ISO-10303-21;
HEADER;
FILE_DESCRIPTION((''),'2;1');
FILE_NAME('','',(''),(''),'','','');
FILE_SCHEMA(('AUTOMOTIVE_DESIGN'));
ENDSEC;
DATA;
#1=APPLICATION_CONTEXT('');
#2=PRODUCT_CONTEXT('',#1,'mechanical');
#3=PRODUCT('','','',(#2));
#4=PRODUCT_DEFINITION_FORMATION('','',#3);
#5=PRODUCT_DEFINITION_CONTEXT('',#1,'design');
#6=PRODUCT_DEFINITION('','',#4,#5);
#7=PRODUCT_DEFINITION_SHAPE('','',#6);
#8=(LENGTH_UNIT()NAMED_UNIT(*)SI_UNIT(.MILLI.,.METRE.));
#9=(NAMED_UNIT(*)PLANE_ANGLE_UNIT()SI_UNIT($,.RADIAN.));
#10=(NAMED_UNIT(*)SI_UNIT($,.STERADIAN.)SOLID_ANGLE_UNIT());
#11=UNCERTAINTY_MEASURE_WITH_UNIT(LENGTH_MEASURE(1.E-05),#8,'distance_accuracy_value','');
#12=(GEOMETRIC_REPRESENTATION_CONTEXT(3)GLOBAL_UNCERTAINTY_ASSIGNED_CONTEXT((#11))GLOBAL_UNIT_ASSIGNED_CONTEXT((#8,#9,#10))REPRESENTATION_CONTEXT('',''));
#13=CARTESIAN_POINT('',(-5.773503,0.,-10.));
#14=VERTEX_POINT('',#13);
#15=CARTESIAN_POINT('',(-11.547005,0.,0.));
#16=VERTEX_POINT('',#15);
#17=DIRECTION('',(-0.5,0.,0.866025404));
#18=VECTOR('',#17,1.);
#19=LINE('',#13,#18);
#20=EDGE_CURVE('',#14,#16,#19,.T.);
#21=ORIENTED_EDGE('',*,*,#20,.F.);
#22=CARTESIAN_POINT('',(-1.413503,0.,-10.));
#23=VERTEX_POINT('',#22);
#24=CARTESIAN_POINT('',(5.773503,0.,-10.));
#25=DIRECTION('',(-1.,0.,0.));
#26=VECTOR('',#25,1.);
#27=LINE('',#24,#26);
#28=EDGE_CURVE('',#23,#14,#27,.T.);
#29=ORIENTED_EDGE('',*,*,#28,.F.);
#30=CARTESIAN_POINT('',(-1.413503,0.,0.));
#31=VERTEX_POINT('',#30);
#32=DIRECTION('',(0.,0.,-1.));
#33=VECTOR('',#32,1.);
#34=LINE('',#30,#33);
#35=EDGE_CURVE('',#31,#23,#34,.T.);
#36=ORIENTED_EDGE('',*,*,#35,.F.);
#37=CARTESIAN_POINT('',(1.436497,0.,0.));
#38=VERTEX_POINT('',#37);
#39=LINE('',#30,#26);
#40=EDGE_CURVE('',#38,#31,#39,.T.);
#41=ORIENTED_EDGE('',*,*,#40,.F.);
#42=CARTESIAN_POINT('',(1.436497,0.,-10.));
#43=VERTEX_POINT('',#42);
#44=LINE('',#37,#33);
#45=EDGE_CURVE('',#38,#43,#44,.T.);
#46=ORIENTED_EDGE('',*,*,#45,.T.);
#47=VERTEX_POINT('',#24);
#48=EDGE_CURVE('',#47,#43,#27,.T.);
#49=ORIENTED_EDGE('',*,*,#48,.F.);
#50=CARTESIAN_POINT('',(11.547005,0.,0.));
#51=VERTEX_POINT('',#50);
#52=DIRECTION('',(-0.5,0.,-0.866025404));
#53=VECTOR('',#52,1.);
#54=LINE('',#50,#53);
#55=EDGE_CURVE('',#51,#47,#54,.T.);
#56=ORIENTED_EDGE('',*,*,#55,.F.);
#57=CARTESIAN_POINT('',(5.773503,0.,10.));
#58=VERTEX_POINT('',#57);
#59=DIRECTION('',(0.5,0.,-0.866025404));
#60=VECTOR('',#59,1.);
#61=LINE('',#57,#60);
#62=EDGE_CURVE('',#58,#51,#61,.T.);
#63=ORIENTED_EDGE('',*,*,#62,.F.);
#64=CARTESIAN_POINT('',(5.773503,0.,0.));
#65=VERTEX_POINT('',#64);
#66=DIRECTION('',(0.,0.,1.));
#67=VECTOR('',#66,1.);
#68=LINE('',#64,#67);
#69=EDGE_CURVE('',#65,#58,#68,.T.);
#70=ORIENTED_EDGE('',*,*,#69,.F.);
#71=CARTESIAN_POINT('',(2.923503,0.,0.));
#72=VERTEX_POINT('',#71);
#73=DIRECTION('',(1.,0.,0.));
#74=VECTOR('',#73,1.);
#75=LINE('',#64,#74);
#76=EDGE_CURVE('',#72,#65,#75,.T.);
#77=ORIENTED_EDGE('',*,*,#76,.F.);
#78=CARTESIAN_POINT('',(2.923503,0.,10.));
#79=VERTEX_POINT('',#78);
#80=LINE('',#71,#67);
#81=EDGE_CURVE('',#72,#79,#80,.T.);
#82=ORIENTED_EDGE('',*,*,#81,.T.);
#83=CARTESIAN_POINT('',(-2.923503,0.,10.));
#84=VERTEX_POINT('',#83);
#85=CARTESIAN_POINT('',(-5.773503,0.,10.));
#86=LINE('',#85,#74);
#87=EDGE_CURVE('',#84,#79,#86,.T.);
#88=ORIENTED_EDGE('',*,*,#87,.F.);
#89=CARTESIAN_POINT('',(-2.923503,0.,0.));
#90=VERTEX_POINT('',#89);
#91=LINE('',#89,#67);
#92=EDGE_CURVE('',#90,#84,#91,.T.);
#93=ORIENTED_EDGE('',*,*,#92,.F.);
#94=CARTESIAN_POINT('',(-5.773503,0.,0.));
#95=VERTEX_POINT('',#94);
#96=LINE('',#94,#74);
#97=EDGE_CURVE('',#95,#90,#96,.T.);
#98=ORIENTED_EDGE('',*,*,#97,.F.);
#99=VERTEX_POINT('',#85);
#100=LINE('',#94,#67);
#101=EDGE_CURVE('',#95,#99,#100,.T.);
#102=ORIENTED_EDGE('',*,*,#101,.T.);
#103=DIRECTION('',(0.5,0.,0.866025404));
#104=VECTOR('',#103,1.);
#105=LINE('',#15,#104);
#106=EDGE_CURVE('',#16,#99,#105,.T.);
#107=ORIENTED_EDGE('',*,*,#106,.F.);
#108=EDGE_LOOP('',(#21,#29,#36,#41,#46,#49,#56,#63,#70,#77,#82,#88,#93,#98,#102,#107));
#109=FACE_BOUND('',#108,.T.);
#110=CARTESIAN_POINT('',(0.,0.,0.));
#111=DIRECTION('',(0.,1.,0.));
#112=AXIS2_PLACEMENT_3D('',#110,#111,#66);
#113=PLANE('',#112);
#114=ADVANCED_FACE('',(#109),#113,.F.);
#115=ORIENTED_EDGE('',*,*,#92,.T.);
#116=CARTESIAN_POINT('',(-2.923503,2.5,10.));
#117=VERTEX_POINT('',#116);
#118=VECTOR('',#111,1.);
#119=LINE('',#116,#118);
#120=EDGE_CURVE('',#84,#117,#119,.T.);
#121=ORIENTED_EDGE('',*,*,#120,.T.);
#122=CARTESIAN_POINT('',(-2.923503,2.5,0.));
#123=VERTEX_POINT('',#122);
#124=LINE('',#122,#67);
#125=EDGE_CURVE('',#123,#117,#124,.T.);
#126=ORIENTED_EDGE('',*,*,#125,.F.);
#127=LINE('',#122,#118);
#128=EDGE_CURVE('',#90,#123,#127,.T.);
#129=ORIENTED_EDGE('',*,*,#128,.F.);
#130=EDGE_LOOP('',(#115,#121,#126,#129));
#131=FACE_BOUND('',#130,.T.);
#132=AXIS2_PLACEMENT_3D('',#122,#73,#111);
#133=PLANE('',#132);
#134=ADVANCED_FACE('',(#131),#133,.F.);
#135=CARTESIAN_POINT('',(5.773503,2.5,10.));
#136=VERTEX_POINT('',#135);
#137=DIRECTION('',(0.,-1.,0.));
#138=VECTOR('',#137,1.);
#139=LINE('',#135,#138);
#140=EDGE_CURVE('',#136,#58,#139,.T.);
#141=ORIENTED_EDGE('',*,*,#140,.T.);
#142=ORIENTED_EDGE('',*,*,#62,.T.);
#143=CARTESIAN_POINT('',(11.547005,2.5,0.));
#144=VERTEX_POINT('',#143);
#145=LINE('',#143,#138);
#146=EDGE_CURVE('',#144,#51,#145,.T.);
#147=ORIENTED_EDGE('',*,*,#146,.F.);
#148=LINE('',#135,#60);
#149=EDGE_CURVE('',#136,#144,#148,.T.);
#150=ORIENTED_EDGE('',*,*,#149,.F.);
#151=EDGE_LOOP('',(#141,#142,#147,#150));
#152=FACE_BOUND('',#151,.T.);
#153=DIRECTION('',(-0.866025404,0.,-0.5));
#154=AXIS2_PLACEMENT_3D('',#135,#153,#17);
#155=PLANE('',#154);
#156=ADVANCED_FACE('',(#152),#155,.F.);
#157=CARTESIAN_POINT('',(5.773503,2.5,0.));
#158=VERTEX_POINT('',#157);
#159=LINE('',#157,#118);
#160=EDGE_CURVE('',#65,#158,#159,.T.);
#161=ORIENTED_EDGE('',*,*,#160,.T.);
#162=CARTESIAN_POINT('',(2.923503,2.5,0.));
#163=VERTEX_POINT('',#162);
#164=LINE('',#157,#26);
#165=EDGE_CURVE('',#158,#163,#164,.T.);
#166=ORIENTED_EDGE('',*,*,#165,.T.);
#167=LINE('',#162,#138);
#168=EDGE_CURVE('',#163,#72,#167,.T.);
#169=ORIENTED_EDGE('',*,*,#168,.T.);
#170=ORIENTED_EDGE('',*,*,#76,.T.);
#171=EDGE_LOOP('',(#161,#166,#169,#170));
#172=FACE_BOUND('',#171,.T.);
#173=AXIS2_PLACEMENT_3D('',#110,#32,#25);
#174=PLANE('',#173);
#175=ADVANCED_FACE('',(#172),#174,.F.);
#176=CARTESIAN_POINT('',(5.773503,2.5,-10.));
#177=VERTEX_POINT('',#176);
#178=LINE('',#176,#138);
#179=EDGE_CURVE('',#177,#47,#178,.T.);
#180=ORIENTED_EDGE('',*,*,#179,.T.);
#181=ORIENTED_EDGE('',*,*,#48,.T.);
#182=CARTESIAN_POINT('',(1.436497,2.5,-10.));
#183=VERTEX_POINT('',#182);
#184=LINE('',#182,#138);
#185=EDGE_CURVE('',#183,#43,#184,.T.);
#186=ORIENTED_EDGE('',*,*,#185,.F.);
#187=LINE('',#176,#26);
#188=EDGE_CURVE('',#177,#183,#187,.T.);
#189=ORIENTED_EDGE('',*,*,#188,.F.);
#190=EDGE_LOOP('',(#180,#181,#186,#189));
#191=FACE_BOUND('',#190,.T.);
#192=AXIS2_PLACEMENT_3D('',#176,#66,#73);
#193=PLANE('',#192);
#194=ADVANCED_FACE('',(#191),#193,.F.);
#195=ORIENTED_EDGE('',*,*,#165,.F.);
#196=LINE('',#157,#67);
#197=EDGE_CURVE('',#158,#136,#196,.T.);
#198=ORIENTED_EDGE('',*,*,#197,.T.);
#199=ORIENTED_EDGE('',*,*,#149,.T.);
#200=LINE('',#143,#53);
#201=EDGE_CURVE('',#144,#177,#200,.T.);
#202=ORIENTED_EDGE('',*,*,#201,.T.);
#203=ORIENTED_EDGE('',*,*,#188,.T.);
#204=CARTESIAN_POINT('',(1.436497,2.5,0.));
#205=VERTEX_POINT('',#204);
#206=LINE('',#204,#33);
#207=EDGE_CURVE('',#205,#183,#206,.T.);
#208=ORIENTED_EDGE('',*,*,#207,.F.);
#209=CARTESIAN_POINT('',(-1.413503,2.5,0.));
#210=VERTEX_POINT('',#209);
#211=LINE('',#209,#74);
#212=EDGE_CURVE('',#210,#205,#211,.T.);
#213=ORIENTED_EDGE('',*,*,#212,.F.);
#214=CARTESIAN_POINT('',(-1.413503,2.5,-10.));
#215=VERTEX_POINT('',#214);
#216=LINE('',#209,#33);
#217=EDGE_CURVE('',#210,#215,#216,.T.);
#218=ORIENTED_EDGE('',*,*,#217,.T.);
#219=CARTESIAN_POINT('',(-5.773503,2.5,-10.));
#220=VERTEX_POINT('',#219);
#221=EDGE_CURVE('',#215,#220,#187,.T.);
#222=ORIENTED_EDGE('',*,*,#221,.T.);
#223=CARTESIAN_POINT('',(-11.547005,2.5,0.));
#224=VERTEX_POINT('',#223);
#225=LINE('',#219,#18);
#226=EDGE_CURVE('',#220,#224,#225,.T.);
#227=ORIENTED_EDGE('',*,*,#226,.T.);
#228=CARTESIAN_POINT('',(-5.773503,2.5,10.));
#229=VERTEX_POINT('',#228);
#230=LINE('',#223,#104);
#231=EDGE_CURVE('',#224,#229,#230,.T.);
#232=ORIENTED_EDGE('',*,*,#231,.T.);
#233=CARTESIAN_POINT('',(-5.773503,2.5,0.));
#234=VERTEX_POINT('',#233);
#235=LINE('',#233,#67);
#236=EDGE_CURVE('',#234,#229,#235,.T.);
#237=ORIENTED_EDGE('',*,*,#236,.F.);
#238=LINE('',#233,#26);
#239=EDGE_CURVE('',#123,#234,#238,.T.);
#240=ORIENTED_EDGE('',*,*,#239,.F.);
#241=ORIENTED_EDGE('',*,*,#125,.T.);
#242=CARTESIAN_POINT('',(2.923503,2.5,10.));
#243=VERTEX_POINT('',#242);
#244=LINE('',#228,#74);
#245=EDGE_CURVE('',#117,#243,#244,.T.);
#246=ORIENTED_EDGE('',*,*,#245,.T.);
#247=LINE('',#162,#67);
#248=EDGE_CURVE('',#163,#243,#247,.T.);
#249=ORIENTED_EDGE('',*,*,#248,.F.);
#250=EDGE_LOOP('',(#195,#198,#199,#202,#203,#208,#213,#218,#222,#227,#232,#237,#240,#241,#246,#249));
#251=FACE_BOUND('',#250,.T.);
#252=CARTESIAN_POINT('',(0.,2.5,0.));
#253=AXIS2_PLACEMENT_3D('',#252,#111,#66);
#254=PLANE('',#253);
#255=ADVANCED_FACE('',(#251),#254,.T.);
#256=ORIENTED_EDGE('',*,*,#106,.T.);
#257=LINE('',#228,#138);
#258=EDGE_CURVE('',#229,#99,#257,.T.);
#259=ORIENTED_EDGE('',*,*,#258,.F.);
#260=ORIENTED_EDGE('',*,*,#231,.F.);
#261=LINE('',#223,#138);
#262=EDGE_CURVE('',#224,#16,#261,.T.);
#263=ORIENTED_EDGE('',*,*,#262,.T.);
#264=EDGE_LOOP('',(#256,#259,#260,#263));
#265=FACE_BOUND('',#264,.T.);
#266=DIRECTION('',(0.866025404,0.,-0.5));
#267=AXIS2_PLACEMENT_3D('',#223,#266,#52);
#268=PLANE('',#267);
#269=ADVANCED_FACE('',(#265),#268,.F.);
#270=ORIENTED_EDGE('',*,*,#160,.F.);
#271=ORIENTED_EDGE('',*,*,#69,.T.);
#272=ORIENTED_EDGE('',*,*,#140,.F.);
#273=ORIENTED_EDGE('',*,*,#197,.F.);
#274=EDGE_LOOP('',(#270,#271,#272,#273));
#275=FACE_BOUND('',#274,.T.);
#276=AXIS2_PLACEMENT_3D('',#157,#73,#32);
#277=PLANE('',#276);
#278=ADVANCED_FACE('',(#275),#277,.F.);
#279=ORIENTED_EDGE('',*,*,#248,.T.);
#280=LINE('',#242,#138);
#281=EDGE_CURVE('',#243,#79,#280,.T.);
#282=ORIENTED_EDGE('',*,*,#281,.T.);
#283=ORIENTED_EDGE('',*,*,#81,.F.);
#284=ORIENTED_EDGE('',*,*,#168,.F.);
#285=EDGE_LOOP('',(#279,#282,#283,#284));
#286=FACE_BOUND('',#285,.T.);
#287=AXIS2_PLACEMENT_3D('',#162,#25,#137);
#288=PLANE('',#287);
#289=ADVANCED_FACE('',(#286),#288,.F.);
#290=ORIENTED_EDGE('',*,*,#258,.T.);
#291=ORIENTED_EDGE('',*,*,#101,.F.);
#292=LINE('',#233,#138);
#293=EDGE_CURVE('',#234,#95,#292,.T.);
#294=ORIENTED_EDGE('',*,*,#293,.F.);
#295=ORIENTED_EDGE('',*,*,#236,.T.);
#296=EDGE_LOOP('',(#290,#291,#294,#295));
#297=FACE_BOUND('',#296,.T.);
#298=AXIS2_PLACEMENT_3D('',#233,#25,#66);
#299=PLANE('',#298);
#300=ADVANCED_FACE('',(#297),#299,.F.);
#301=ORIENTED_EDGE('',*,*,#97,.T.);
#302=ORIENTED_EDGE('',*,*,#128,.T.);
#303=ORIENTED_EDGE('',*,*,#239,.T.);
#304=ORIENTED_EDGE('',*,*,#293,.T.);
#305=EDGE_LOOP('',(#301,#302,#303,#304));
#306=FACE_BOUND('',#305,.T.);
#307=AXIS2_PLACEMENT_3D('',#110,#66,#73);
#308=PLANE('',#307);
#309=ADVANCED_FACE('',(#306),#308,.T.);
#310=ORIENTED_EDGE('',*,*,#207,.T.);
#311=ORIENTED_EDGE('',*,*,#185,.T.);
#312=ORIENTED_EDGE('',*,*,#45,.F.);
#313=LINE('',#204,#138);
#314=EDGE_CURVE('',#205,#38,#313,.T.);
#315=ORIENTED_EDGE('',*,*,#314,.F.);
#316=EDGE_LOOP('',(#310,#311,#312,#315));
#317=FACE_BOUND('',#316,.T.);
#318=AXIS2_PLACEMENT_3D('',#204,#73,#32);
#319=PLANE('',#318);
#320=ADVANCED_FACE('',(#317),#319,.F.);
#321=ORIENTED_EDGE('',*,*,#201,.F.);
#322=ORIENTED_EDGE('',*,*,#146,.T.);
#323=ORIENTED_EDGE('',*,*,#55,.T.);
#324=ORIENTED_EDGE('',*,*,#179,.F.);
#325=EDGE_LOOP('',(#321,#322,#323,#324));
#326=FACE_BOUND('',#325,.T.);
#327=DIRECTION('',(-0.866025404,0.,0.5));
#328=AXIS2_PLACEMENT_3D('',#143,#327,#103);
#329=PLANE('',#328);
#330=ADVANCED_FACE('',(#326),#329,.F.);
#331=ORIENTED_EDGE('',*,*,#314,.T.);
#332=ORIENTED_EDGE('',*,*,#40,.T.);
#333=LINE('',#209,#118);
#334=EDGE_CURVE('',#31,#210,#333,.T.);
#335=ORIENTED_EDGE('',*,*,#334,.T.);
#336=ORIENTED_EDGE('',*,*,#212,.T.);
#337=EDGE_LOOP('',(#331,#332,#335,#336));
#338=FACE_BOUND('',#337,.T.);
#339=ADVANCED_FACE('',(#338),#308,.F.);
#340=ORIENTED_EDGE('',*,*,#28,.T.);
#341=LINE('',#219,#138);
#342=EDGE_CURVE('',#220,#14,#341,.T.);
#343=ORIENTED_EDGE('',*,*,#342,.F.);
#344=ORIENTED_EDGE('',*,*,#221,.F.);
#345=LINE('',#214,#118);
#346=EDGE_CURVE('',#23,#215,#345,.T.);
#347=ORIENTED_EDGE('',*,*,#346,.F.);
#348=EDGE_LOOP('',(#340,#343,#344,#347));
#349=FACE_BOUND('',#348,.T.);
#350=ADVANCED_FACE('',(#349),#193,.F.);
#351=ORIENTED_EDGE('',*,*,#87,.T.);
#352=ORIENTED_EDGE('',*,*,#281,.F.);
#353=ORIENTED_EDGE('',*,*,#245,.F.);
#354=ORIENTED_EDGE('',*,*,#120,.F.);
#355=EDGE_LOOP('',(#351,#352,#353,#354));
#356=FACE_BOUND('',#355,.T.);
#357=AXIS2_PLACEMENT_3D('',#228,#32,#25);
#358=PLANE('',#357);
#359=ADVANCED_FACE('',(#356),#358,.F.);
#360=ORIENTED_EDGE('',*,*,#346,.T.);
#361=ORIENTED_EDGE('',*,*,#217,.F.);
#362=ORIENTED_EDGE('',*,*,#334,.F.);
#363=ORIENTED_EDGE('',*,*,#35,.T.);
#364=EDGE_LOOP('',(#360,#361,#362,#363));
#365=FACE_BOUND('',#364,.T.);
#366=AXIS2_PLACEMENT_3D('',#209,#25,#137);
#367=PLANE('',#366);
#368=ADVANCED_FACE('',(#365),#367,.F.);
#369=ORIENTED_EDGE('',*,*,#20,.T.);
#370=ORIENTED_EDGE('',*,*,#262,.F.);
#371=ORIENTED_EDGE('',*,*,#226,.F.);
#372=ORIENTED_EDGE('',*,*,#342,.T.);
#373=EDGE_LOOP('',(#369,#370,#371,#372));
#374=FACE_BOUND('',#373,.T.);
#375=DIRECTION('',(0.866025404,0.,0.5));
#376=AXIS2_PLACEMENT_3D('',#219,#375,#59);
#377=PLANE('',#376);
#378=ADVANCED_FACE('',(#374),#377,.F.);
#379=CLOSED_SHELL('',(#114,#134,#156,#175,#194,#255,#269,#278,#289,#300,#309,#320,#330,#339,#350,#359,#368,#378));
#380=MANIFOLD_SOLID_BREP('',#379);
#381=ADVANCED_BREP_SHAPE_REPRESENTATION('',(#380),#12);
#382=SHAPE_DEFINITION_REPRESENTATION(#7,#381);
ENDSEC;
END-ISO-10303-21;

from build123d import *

# Parameters (mm, degrees)
BOSS_EXTRUDE1_DEPTH = 2.5
SKETCH5_W           = 2.85
SKETCH5_H           = 2.5
CUT_EXTRUDE3_DEPTH  = 10
SKETCH6_W           = 2.85
SKETCH6_H           = 2.5
CUT_EXTRUDE4_DEPTH  = 10
SKETCH7_W           = 2.85
SKETCH7_H           = 2.5
CUT_EXTRUDE5_DEPTH  = 10


with BuildPart() as part:
    # Sketch1 → Boss-Extrude1 (new body)
    with BuildSketch(Plane(origin=(0, 0, 0), x_dir=(1, 0, 0), z_dir=(0, 1, 0))):
        Polygon((11.547005384, 0), (5.773502692, 10), (-5.773502692, 10), (-11.547005384, 0), (-5.773502692, -10), (5.773502692, -10), align=None)
    extrude(amount=BOSS_EXTRUDE1_DEPTH)

    # Sketch5 → Cut-Extrude3 (cut)
    with BuildSketch(Plane.XY.offset(10)):
        with Locations((-4.348502692, 1.25)):
            Rectangle(SKETCH5_W, SKETCH5_H)
    extrude(amount=-CUT_EXTRUDE3_DEPTH, mode=Mode.SUBTRACT)

    # Sketch6 → Cut-Extrude4 (cut)
    with BuildSketch(Plane.XY.offset(10)):
        with Locations((4.348502692, 1.25)):
            Rectangle(SKETCH6_W, SKETCH6_H)
    extrude(amount=-CUT_EXTRUDE4_DEPTH, mode=Mode.SUBTRACT)

    # Sketch7 → Cut-Extrude5 (cut)
    with BuildSketch(Plane(origin=(0, 0, -10), x_dir=(-1, 0, 0), z_dir=(0, 0, -1))):
        with Locations((-0.011497308, 1.25)):
            Rectangle(SKETCH7_W, SKETCH7_H)
    extrude(amount=-CUT_EXTRUDE5_DEPTH, mode=Mode.SUBTRACT)


solid = part.part
